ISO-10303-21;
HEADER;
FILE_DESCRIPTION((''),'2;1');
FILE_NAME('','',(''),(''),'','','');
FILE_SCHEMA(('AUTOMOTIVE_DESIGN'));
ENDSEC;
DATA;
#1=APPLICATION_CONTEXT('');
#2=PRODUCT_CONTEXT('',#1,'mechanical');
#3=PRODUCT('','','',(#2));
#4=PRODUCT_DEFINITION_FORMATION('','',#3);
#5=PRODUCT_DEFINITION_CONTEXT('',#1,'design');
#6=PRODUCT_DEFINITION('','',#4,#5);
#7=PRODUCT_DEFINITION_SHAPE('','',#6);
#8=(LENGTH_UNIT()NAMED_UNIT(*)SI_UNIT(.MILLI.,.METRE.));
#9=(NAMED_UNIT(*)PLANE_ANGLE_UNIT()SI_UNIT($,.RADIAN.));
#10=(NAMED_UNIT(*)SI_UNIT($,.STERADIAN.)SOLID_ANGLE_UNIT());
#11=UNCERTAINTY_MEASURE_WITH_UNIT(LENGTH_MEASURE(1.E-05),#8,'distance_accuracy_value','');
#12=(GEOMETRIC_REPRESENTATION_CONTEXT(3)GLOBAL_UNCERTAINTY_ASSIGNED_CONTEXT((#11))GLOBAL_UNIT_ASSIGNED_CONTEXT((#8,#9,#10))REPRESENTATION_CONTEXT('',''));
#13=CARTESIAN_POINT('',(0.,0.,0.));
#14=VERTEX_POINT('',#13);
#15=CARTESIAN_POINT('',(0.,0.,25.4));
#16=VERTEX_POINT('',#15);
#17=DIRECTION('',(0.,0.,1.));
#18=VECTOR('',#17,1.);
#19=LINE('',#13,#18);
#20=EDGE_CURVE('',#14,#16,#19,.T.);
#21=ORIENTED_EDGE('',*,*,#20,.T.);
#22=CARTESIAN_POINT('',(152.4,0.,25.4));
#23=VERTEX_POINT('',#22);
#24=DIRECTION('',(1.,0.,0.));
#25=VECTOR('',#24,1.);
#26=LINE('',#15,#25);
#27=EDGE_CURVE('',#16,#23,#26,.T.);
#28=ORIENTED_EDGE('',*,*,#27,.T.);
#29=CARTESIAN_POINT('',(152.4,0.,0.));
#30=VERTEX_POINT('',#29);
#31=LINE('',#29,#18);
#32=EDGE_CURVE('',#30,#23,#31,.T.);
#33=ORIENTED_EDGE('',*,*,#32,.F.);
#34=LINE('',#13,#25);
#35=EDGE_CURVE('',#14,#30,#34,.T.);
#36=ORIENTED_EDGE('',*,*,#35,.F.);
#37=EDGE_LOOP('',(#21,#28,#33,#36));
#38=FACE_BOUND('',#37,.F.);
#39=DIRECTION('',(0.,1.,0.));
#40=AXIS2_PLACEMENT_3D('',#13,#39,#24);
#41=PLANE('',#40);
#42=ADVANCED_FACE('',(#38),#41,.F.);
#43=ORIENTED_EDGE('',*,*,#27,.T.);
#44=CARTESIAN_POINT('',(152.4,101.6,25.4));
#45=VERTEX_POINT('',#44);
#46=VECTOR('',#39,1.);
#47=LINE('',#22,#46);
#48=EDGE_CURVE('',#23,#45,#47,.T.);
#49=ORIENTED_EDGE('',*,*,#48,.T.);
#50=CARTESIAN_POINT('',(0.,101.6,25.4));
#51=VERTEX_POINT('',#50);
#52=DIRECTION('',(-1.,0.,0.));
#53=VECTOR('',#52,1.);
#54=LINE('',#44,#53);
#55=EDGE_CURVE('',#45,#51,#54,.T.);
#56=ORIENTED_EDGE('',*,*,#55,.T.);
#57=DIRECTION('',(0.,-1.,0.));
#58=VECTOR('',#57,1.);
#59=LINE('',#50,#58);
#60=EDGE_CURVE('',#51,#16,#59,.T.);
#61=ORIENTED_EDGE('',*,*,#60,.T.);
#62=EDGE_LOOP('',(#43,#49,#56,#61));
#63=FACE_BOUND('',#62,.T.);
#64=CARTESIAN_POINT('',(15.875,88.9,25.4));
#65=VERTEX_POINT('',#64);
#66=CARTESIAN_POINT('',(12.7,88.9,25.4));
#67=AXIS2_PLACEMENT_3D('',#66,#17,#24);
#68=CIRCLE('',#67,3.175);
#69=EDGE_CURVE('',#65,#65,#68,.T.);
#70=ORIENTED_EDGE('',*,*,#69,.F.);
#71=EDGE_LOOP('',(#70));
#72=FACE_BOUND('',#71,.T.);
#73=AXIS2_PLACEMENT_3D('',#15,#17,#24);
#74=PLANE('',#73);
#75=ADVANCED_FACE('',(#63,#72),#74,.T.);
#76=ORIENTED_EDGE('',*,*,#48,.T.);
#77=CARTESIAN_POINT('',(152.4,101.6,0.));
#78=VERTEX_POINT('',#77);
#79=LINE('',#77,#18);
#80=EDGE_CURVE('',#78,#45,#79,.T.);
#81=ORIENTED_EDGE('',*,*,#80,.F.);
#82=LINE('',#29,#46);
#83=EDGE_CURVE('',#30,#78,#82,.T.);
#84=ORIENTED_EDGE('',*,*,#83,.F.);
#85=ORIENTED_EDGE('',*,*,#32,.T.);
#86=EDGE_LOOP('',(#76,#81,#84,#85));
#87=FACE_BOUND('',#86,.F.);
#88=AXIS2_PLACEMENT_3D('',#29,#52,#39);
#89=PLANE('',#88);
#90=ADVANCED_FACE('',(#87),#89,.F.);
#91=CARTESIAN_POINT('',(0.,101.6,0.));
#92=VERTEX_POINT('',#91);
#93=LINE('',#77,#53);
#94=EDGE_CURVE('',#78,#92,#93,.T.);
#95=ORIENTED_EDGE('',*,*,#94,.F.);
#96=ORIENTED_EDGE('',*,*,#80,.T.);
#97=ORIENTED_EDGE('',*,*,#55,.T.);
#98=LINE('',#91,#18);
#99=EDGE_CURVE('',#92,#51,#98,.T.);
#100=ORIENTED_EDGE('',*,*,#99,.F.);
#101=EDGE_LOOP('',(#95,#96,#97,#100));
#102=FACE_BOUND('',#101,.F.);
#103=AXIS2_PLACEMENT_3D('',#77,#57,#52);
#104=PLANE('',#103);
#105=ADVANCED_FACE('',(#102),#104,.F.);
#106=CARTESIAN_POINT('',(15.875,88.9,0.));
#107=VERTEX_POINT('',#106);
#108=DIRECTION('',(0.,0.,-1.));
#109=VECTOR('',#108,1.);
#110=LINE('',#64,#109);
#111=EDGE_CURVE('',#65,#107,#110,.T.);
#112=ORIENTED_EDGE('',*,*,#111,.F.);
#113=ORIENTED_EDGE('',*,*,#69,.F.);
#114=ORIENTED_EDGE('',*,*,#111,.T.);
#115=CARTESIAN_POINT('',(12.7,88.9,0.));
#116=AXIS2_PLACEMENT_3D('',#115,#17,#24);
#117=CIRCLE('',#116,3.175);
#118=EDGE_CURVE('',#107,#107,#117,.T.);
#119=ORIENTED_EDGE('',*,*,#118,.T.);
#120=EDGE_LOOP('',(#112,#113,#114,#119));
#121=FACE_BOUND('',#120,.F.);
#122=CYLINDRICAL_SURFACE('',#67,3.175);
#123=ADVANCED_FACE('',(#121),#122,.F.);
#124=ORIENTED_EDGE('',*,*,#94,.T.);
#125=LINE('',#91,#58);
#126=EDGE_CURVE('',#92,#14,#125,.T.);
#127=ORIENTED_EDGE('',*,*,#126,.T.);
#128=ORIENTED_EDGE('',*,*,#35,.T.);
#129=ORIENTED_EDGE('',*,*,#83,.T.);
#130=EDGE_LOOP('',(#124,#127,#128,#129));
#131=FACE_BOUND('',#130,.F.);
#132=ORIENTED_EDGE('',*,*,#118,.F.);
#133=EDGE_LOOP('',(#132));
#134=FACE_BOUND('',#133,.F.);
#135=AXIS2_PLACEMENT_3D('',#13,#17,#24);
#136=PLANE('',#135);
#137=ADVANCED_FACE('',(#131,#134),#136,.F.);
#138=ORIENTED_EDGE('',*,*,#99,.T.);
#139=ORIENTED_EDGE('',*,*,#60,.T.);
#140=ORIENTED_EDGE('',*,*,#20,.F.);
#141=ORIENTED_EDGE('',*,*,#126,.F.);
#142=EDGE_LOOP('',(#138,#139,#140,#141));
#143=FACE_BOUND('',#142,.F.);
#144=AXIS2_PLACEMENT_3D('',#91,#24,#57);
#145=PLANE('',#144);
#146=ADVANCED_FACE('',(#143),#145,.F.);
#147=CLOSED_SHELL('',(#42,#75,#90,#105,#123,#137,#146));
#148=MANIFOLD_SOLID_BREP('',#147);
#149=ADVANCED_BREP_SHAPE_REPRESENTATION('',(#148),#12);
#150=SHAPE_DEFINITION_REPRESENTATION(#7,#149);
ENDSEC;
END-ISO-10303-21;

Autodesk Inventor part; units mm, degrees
ref_plane "YZ Plane" through (0, 0, 0) normal (1, 0, 0) x (0, 1, 0)
ref_plane "XZ Plane" through (0, 0, 0) normal (0, 1, 0) x (-1, 0, 0)
ref_plane "XY Plane" through (0, 0, 0) normal (0, 0, 1) x (1, 0, 0)
sketch "Sketch1" plane through (0, 0, 0) normal (0, 0, 1) x (1, 0, 0)
  line L0 (0, 0) -> (152.4, 0)
  line L1 (152.4, 0) -> (152.4, 101.6)
  line L2 (152.4, 101.6) -> (0, 101.6)
  line L3 (0, 101.6) -> (0, 0)
  dimension "d0" = 152.4
  dimension "d1" = 101.6
extrude "Extrusion1" add sketch "Sketch1" along normal blind 25.4
sketch "Sketch2" plane through (0, 0, 25.4) normal (0, 0, 1) x (1, 0, 0)
  line L0 (152.4, 101.6) -> (0, 101.6) projected
  line L1 (0, 101.6) -> (0, 0) projected
  circle A0 centre (12.7, 88.9) radius 3.175
  dimension "d4" = 6.35
  dimension "d5" = 12.7
  dimension "d6" = 12.7
extrude "Extrusion2" cut sketch "Sketch2" against normal through all
properties part number "Rectangular pattern"
